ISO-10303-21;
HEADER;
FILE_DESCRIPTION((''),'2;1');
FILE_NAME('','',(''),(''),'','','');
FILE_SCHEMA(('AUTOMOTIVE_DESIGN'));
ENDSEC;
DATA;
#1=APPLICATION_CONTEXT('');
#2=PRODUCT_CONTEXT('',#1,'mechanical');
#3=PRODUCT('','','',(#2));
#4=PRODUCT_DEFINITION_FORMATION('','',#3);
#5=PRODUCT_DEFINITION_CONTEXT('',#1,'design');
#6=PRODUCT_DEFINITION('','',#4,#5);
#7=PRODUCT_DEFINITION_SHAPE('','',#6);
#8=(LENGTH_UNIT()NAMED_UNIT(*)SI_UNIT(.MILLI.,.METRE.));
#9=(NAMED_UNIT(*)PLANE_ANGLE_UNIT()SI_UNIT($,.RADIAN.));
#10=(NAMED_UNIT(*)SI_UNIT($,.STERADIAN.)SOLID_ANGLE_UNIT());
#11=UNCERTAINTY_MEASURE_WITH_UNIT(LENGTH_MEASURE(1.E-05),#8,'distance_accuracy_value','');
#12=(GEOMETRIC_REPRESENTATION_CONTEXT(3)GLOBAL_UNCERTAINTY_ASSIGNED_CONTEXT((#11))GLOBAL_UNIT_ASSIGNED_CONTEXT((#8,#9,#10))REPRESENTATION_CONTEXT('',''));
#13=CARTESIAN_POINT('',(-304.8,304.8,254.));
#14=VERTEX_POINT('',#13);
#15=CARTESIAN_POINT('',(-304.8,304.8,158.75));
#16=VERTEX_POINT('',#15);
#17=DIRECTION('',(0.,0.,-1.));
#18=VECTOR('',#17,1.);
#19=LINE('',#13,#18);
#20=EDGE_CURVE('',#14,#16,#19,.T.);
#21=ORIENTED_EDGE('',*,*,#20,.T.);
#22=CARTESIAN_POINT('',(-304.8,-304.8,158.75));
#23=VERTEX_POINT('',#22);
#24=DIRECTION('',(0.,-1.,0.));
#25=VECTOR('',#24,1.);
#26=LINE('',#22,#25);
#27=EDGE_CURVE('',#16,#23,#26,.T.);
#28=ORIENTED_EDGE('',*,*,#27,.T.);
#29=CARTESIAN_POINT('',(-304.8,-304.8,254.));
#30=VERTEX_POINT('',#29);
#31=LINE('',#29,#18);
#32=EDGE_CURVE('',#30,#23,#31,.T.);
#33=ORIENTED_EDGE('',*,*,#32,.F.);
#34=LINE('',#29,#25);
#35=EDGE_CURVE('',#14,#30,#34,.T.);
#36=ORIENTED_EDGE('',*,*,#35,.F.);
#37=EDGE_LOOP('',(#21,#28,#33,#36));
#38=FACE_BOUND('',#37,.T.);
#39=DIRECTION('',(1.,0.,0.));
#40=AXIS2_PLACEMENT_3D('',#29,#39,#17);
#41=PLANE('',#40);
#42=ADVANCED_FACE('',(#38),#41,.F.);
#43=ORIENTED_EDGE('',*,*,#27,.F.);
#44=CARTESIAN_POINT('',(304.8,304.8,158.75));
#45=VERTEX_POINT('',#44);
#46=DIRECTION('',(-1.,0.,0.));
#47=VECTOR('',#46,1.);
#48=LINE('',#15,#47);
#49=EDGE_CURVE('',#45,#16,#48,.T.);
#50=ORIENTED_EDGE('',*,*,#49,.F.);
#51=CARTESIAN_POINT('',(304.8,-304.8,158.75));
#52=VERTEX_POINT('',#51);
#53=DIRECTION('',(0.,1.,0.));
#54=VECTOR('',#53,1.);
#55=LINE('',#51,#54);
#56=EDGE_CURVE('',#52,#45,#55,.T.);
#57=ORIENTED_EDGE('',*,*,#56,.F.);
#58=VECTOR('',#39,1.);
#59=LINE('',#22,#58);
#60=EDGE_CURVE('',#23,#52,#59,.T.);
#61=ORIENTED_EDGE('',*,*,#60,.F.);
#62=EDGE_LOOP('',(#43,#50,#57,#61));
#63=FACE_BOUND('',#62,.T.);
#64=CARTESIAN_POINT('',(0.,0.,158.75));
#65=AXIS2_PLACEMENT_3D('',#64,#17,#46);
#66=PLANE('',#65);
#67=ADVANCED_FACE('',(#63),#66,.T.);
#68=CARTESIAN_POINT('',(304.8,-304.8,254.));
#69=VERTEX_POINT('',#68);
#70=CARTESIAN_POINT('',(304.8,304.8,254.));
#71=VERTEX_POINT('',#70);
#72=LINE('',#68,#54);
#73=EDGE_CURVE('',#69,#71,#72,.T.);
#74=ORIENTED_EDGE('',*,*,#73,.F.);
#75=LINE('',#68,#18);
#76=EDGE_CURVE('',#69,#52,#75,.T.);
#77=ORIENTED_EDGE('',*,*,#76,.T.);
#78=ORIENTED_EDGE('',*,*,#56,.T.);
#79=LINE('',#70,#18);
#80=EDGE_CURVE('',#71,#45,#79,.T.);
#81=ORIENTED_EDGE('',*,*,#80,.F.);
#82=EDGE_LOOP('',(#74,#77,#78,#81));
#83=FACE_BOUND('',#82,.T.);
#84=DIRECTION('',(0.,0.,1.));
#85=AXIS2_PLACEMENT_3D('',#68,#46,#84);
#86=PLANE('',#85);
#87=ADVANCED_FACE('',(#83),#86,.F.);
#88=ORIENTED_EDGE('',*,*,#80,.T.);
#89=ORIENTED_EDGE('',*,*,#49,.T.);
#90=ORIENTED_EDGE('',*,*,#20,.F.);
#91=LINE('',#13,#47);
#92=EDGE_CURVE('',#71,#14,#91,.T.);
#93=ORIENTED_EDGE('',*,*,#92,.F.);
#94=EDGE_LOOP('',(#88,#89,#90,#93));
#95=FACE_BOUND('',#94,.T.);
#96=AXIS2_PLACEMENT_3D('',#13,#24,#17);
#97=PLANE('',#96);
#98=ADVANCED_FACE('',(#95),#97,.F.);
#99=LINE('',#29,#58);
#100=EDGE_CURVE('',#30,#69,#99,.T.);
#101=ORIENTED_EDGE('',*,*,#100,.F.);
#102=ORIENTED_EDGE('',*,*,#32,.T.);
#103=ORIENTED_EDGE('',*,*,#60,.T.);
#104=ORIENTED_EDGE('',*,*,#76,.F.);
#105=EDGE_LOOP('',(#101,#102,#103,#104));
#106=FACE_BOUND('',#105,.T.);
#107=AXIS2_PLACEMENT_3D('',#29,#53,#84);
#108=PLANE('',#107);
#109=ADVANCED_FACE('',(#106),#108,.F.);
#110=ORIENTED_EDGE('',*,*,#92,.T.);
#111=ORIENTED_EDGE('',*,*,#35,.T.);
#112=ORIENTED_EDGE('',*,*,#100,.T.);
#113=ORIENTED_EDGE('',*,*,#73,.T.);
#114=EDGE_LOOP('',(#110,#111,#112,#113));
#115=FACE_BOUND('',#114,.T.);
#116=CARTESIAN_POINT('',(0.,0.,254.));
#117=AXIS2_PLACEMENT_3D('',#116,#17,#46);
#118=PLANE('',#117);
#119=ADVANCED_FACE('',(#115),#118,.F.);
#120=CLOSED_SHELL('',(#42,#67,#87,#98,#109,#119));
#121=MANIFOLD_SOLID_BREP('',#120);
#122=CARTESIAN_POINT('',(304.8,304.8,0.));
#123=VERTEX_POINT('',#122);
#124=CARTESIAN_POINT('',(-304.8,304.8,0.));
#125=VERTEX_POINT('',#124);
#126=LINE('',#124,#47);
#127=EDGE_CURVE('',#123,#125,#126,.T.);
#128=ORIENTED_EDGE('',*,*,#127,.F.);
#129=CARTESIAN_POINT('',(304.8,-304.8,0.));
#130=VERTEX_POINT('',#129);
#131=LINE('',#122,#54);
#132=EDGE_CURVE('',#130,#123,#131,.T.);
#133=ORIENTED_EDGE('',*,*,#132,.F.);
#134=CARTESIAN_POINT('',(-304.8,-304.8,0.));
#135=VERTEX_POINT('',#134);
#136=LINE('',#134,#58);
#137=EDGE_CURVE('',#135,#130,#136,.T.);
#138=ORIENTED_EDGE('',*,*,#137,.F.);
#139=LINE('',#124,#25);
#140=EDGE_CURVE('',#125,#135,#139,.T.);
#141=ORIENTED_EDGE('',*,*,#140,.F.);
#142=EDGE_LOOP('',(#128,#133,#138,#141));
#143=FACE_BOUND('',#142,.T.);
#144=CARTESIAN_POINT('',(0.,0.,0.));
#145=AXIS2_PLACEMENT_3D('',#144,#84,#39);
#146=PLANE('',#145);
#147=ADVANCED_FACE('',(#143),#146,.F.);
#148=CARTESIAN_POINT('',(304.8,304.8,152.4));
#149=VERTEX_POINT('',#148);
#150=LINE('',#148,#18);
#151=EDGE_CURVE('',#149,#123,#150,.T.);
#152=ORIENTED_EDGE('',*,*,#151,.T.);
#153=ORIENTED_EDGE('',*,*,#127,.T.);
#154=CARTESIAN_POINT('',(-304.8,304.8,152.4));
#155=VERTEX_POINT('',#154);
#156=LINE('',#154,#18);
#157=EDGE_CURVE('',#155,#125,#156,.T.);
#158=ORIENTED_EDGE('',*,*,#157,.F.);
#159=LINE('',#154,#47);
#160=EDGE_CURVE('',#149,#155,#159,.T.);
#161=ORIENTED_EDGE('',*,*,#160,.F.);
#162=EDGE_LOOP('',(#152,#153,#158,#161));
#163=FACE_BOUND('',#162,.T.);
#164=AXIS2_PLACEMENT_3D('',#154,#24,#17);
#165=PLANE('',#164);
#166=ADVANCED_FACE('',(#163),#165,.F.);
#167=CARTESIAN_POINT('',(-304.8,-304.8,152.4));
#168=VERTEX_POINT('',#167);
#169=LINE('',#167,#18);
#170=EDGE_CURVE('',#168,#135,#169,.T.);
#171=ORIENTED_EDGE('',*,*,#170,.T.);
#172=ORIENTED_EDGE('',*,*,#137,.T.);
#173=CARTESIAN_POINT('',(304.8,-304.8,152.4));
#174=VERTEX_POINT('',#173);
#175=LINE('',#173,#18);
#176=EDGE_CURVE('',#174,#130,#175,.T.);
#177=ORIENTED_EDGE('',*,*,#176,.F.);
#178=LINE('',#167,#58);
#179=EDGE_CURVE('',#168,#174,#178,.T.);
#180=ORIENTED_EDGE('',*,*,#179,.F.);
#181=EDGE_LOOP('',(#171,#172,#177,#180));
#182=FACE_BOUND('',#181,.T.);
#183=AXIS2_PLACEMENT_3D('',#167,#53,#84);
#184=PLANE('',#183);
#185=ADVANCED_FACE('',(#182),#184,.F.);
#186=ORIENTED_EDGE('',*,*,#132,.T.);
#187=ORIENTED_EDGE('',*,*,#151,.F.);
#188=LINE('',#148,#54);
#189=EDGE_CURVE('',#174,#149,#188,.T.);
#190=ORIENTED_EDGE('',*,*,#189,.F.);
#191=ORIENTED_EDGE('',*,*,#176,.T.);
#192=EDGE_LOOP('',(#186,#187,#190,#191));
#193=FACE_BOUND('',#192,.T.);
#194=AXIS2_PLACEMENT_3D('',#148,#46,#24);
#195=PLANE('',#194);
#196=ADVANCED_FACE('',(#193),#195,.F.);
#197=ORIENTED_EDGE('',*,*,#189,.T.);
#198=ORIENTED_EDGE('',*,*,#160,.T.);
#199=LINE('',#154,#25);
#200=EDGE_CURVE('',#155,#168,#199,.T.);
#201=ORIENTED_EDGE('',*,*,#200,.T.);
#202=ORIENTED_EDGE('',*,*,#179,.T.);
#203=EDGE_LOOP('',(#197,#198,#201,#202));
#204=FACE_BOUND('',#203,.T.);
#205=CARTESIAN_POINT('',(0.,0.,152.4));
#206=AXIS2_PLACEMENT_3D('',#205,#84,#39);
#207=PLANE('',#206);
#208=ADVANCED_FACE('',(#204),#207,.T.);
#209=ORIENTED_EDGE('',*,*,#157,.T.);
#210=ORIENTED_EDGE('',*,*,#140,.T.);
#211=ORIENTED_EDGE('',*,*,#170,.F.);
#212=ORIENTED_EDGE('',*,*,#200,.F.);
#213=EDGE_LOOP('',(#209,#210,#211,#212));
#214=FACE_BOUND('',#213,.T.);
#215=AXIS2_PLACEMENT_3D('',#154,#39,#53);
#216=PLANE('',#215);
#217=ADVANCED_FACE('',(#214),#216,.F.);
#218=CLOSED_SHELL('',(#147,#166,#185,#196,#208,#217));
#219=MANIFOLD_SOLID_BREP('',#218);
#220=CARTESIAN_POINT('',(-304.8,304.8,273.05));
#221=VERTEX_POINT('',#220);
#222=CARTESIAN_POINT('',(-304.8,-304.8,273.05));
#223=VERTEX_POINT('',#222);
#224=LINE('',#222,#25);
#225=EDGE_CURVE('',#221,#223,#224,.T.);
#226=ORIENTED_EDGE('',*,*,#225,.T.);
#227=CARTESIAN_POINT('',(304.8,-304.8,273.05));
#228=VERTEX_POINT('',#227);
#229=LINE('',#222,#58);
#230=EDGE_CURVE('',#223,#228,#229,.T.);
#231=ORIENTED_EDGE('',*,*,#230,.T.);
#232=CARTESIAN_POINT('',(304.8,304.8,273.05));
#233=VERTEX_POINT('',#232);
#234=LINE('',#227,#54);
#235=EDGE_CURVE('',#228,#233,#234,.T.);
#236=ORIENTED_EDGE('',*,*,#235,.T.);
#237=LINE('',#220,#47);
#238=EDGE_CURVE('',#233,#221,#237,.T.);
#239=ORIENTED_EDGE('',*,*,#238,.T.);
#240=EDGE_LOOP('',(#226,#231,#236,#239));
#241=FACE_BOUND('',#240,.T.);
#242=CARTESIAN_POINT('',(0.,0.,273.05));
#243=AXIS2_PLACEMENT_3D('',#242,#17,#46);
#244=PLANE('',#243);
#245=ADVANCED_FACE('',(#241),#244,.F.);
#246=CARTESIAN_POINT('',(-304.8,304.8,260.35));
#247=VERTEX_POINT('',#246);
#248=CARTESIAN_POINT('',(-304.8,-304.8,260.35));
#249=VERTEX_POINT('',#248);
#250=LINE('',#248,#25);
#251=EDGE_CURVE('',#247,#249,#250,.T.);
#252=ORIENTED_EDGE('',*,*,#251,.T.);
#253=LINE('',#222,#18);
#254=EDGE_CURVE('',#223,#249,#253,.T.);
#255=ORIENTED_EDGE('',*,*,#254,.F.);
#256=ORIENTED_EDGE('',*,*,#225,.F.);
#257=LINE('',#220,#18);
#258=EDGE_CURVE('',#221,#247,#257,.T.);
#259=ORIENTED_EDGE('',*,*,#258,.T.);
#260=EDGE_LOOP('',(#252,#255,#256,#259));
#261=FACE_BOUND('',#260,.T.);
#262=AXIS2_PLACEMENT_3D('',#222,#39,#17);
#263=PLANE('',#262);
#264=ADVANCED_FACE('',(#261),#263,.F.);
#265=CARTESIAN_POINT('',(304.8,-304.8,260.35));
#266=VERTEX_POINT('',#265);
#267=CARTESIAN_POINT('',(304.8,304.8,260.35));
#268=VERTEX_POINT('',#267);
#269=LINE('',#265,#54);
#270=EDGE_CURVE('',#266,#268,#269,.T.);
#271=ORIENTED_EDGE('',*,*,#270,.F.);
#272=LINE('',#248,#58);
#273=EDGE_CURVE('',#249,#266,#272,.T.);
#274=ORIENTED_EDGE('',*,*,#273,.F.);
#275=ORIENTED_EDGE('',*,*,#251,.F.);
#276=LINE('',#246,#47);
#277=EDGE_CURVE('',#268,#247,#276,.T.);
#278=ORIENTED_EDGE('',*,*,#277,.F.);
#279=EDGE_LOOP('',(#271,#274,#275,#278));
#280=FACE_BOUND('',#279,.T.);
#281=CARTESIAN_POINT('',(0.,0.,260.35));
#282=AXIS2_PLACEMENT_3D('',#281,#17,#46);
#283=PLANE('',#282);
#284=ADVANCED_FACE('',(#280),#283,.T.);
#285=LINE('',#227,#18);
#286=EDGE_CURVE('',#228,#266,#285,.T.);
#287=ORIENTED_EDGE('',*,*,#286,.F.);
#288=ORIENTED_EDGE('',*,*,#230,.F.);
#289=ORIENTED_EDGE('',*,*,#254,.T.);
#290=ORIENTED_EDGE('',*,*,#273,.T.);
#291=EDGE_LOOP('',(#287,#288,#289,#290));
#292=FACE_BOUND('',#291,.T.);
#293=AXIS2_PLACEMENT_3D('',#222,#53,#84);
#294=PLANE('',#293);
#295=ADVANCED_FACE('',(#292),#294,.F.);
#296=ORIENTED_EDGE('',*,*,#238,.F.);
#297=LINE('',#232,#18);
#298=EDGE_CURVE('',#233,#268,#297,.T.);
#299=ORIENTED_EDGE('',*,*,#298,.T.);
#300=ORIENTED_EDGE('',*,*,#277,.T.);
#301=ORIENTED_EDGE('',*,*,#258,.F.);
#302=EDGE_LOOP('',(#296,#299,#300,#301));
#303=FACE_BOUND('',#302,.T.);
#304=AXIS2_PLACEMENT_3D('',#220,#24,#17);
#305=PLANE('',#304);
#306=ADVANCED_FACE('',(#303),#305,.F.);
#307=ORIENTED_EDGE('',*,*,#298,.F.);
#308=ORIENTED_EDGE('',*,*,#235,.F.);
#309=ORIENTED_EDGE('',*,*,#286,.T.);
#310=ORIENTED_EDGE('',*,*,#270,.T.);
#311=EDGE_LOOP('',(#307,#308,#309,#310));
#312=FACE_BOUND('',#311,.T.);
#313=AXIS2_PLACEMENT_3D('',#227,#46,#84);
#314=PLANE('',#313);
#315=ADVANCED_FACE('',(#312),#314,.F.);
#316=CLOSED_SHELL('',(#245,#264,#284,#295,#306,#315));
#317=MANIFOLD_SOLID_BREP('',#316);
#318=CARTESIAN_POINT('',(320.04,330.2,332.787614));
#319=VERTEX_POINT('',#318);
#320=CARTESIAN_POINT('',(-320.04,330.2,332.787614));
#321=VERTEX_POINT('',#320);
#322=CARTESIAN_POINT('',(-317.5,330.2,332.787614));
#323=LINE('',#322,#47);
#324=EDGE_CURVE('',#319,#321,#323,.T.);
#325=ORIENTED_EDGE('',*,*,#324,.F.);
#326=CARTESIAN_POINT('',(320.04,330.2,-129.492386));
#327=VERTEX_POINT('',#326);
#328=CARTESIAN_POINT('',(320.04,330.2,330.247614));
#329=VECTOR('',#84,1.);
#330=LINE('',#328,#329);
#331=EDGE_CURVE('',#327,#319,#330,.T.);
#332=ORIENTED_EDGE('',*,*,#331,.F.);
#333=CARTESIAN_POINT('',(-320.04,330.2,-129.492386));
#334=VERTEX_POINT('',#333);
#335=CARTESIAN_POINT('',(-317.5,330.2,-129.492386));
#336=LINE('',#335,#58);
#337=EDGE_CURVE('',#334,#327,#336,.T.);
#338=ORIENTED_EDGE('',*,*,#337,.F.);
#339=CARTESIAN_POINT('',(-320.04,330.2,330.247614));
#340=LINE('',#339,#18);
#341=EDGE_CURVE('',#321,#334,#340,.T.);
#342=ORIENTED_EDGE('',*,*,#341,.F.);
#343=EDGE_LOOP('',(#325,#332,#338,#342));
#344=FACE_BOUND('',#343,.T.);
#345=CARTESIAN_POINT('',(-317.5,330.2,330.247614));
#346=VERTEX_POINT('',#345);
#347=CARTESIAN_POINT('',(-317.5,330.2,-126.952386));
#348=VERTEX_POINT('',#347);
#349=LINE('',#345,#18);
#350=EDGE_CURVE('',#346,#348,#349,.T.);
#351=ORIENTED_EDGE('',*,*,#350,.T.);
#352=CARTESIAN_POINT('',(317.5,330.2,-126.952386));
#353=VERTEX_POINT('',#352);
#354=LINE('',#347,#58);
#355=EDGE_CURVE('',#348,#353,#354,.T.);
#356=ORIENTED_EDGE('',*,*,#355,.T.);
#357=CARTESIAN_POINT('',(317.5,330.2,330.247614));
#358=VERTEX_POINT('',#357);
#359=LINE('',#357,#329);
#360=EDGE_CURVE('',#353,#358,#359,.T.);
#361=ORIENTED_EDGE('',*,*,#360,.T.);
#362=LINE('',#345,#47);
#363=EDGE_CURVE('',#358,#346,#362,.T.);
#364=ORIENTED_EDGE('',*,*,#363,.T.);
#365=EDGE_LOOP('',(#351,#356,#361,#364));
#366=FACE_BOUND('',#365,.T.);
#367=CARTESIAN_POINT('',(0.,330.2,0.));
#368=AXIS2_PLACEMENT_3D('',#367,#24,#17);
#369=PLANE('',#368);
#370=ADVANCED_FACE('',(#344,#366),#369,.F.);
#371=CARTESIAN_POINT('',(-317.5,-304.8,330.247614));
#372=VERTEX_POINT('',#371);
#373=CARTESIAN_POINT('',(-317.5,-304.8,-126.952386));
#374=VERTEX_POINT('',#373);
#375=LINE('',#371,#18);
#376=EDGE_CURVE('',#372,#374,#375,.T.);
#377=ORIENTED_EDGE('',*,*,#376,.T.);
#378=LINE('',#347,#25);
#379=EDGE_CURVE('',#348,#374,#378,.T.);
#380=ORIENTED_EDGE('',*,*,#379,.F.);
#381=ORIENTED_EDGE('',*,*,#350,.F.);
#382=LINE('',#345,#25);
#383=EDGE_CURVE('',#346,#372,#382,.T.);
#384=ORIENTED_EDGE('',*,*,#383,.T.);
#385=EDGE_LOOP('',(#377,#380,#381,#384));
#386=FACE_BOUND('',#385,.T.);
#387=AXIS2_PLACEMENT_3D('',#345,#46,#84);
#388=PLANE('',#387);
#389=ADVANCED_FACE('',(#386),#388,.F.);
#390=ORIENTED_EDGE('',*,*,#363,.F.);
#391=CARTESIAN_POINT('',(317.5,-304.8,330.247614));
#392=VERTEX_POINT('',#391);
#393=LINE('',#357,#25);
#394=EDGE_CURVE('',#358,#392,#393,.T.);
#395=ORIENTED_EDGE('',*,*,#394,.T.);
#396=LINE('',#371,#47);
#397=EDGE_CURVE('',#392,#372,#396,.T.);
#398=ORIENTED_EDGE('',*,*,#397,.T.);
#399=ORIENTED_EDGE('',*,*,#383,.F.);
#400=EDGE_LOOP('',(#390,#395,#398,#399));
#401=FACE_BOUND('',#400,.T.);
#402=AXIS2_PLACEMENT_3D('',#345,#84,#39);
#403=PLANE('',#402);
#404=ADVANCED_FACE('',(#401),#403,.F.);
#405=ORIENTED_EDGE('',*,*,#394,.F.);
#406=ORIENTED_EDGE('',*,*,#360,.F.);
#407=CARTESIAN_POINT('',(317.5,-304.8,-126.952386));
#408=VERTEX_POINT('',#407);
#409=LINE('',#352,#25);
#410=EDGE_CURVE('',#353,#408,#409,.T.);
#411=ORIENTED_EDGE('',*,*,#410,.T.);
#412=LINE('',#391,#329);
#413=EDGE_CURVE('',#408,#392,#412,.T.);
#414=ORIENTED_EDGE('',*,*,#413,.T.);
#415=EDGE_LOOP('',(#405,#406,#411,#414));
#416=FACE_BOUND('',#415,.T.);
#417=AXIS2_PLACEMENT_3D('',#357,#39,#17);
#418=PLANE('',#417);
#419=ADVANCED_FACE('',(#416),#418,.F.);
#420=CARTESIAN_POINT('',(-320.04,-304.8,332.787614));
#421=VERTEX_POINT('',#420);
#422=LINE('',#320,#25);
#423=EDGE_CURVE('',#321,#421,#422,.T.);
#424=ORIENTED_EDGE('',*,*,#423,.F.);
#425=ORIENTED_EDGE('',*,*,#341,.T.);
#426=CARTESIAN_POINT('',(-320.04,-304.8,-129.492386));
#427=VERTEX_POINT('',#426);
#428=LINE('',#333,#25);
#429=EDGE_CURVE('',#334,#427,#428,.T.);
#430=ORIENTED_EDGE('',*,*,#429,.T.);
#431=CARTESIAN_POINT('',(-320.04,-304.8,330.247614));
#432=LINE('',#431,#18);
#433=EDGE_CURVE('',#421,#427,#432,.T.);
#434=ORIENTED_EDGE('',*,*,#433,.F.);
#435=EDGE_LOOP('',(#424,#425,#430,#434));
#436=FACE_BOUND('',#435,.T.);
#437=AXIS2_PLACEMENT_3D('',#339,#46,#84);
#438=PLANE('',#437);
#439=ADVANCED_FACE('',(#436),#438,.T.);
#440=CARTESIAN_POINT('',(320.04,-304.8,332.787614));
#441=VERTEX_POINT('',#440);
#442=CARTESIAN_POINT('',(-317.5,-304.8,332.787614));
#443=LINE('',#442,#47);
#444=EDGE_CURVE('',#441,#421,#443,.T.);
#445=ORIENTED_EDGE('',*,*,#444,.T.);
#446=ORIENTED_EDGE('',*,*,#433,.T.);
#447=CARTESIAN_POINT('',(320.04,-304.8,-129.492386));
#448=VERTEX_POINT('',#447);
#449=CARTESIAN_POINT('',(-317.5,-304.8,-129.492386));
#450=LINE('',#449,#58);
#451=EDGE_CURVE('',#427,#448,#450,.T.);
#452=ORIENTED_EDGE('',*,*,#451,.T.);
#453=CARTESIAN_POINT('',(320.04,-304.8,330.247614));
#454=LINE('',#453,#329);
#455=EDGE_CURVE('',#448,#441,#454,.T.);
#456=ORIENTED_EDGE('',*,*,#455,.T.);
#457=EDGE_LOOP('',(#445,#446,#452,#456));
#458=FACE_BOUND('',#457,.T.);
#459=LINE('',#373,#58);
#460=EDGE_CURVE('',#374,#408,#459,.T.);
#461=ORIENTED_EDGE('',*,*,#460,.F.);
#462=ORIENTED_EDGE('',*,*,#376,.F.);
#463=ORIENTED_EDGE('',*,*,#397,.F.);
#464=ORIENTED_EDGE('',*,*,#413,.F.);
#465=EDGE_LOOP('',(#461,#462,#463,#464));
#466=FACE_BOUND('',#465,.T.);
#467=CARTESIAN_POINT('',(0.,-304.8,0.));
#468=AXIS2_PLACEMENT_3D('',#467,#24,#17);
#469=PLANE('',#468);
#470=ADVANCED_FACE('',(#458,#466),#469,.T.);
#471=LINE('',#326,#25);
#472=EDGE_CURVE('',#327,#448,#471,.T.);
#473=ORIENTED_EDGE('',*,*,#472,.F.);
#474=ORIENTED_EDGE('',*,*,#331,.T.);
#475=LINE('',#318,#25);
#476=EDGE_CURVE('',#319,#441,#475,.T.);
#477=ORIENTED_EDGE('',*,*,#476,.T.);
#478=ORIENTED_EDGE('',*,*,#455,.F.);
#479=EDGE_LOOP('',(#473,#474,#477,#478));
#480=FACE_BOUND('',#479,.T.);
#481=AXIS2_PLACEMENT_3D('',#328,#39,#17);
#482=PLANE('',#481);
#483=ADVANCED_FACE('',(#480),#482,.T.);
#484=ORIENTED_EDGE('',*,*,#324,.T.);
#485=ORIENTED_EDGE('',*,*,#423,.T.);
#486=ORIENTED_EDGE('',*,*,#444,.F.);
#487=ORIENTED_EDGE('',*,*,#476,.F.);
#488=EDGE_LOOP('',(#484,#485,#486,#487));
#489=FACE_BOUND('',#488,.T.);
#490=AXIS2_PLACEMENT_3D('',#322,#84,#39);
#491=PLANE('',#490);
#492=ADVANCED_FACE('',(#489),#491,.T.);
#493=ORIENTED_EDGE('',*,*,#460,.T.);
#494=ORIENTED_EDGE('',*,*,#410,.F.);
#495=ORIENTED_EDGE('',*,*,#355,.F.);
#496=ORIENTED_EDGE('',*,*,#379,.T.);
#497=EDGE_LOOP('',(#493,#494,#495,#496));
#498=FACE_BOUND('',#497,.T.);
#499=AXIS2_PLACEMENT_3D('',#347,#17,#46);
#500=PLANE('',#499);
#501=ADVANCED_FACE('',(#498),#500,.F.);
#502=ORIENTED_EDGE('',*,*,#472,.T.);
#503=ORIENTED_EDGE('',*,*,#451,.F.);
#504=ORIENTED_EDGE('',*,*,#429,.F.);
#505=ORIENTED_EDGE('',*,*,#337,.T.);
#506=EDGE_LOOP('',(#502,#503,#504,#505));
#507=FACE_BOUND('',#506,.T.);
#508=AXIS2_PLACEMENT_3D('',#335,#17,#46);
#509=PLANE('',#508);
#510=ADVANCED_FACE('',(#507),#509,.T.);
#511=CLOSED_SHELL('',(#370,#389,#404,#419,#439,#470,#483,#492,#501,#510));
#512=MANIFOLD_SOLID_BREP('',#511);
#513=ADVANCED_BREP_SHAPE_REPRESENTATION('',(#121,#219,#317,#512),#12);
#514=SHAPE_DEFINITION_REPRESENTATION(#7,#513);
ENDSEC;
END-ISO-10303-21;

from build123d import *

# Parameters (mm, degrees)
SKETCH1_W           = 609.6
SKETCH1_H           = 609.6
BOSS_EXTRUDE1_DEPTH = 152.4
BOSS_EXTRUDE2_START = 6.35
SKETCH2_W           = 609.6
SKETCH2_H           = 609.6
BOSS_EXTRUDE2_DEPTH = 95.25
BOSS_EXTRUDE3_START = 6.35
SKETCH3_W           = 609.6
SKETCH3_H           = 609.6
BOSS_EXTRUDE3_DEPTH = 12.7
SKETCH4_W           = 640.08
SKETCH4_H           = 462.28
SKETCH4_W_2         = 635
SKETCH4_H_2         = 457.2
EXTRUDE_THIN1_DEPTH = 635


with BuildPart() as part:
    # Sketch1 → Boss-Extrude1 (new body)
    with BuildSketch(Plane.XY):
        Rectangle(SKETCH1_W, SKETCH1_H)
    extrude(amount=BOSS_EXTRUDE1_DEPTH)


with BuildPart() as body_2:
    # Sketch2 → Boss-Extrude2 (new body)
    with BuildSketch(Plane.XY.offset(152.4).offset(BOSS_EXTRUDE2_START)):
        Rectangle(SKETCH2_W, SKETCH2_H)
    extrude(amount=BOSS_EXTRUDE2_DEPTH)


with BuildPart() as body_3:
    # Sketch3 → Boss-Extrude3 (new body)
    with BuildSketch(Plane.XY.offset(254).offset(BOSS_EXTRUDE3_START)):
        Rectangle(SKETCH3_W, SKETCH3_H)
    extrude(amount=BOSS_EXTRUDE3_DEPTH)


with BuildPart() as body_4:
    # Sketch4 → Extrude-Thin1 (new body)
    with BuildSketch(Plane.XZ.offset(304.8)):
        with Locations((0, 101.647614288)):
            Rectangle(SKETCH4_W, SKETCH4_H)
        with Locations((0, 101.647614288)):
            Rectangle(SKETCH4_W_2, SKETCH4_H_2, mode=Mode.SUBTRACT)
    extrude(amount=-EXTRUDE_THIN1_DEPTH)


solid = Compound([part.part, body_2.part, body_3.part, body_4.part])
